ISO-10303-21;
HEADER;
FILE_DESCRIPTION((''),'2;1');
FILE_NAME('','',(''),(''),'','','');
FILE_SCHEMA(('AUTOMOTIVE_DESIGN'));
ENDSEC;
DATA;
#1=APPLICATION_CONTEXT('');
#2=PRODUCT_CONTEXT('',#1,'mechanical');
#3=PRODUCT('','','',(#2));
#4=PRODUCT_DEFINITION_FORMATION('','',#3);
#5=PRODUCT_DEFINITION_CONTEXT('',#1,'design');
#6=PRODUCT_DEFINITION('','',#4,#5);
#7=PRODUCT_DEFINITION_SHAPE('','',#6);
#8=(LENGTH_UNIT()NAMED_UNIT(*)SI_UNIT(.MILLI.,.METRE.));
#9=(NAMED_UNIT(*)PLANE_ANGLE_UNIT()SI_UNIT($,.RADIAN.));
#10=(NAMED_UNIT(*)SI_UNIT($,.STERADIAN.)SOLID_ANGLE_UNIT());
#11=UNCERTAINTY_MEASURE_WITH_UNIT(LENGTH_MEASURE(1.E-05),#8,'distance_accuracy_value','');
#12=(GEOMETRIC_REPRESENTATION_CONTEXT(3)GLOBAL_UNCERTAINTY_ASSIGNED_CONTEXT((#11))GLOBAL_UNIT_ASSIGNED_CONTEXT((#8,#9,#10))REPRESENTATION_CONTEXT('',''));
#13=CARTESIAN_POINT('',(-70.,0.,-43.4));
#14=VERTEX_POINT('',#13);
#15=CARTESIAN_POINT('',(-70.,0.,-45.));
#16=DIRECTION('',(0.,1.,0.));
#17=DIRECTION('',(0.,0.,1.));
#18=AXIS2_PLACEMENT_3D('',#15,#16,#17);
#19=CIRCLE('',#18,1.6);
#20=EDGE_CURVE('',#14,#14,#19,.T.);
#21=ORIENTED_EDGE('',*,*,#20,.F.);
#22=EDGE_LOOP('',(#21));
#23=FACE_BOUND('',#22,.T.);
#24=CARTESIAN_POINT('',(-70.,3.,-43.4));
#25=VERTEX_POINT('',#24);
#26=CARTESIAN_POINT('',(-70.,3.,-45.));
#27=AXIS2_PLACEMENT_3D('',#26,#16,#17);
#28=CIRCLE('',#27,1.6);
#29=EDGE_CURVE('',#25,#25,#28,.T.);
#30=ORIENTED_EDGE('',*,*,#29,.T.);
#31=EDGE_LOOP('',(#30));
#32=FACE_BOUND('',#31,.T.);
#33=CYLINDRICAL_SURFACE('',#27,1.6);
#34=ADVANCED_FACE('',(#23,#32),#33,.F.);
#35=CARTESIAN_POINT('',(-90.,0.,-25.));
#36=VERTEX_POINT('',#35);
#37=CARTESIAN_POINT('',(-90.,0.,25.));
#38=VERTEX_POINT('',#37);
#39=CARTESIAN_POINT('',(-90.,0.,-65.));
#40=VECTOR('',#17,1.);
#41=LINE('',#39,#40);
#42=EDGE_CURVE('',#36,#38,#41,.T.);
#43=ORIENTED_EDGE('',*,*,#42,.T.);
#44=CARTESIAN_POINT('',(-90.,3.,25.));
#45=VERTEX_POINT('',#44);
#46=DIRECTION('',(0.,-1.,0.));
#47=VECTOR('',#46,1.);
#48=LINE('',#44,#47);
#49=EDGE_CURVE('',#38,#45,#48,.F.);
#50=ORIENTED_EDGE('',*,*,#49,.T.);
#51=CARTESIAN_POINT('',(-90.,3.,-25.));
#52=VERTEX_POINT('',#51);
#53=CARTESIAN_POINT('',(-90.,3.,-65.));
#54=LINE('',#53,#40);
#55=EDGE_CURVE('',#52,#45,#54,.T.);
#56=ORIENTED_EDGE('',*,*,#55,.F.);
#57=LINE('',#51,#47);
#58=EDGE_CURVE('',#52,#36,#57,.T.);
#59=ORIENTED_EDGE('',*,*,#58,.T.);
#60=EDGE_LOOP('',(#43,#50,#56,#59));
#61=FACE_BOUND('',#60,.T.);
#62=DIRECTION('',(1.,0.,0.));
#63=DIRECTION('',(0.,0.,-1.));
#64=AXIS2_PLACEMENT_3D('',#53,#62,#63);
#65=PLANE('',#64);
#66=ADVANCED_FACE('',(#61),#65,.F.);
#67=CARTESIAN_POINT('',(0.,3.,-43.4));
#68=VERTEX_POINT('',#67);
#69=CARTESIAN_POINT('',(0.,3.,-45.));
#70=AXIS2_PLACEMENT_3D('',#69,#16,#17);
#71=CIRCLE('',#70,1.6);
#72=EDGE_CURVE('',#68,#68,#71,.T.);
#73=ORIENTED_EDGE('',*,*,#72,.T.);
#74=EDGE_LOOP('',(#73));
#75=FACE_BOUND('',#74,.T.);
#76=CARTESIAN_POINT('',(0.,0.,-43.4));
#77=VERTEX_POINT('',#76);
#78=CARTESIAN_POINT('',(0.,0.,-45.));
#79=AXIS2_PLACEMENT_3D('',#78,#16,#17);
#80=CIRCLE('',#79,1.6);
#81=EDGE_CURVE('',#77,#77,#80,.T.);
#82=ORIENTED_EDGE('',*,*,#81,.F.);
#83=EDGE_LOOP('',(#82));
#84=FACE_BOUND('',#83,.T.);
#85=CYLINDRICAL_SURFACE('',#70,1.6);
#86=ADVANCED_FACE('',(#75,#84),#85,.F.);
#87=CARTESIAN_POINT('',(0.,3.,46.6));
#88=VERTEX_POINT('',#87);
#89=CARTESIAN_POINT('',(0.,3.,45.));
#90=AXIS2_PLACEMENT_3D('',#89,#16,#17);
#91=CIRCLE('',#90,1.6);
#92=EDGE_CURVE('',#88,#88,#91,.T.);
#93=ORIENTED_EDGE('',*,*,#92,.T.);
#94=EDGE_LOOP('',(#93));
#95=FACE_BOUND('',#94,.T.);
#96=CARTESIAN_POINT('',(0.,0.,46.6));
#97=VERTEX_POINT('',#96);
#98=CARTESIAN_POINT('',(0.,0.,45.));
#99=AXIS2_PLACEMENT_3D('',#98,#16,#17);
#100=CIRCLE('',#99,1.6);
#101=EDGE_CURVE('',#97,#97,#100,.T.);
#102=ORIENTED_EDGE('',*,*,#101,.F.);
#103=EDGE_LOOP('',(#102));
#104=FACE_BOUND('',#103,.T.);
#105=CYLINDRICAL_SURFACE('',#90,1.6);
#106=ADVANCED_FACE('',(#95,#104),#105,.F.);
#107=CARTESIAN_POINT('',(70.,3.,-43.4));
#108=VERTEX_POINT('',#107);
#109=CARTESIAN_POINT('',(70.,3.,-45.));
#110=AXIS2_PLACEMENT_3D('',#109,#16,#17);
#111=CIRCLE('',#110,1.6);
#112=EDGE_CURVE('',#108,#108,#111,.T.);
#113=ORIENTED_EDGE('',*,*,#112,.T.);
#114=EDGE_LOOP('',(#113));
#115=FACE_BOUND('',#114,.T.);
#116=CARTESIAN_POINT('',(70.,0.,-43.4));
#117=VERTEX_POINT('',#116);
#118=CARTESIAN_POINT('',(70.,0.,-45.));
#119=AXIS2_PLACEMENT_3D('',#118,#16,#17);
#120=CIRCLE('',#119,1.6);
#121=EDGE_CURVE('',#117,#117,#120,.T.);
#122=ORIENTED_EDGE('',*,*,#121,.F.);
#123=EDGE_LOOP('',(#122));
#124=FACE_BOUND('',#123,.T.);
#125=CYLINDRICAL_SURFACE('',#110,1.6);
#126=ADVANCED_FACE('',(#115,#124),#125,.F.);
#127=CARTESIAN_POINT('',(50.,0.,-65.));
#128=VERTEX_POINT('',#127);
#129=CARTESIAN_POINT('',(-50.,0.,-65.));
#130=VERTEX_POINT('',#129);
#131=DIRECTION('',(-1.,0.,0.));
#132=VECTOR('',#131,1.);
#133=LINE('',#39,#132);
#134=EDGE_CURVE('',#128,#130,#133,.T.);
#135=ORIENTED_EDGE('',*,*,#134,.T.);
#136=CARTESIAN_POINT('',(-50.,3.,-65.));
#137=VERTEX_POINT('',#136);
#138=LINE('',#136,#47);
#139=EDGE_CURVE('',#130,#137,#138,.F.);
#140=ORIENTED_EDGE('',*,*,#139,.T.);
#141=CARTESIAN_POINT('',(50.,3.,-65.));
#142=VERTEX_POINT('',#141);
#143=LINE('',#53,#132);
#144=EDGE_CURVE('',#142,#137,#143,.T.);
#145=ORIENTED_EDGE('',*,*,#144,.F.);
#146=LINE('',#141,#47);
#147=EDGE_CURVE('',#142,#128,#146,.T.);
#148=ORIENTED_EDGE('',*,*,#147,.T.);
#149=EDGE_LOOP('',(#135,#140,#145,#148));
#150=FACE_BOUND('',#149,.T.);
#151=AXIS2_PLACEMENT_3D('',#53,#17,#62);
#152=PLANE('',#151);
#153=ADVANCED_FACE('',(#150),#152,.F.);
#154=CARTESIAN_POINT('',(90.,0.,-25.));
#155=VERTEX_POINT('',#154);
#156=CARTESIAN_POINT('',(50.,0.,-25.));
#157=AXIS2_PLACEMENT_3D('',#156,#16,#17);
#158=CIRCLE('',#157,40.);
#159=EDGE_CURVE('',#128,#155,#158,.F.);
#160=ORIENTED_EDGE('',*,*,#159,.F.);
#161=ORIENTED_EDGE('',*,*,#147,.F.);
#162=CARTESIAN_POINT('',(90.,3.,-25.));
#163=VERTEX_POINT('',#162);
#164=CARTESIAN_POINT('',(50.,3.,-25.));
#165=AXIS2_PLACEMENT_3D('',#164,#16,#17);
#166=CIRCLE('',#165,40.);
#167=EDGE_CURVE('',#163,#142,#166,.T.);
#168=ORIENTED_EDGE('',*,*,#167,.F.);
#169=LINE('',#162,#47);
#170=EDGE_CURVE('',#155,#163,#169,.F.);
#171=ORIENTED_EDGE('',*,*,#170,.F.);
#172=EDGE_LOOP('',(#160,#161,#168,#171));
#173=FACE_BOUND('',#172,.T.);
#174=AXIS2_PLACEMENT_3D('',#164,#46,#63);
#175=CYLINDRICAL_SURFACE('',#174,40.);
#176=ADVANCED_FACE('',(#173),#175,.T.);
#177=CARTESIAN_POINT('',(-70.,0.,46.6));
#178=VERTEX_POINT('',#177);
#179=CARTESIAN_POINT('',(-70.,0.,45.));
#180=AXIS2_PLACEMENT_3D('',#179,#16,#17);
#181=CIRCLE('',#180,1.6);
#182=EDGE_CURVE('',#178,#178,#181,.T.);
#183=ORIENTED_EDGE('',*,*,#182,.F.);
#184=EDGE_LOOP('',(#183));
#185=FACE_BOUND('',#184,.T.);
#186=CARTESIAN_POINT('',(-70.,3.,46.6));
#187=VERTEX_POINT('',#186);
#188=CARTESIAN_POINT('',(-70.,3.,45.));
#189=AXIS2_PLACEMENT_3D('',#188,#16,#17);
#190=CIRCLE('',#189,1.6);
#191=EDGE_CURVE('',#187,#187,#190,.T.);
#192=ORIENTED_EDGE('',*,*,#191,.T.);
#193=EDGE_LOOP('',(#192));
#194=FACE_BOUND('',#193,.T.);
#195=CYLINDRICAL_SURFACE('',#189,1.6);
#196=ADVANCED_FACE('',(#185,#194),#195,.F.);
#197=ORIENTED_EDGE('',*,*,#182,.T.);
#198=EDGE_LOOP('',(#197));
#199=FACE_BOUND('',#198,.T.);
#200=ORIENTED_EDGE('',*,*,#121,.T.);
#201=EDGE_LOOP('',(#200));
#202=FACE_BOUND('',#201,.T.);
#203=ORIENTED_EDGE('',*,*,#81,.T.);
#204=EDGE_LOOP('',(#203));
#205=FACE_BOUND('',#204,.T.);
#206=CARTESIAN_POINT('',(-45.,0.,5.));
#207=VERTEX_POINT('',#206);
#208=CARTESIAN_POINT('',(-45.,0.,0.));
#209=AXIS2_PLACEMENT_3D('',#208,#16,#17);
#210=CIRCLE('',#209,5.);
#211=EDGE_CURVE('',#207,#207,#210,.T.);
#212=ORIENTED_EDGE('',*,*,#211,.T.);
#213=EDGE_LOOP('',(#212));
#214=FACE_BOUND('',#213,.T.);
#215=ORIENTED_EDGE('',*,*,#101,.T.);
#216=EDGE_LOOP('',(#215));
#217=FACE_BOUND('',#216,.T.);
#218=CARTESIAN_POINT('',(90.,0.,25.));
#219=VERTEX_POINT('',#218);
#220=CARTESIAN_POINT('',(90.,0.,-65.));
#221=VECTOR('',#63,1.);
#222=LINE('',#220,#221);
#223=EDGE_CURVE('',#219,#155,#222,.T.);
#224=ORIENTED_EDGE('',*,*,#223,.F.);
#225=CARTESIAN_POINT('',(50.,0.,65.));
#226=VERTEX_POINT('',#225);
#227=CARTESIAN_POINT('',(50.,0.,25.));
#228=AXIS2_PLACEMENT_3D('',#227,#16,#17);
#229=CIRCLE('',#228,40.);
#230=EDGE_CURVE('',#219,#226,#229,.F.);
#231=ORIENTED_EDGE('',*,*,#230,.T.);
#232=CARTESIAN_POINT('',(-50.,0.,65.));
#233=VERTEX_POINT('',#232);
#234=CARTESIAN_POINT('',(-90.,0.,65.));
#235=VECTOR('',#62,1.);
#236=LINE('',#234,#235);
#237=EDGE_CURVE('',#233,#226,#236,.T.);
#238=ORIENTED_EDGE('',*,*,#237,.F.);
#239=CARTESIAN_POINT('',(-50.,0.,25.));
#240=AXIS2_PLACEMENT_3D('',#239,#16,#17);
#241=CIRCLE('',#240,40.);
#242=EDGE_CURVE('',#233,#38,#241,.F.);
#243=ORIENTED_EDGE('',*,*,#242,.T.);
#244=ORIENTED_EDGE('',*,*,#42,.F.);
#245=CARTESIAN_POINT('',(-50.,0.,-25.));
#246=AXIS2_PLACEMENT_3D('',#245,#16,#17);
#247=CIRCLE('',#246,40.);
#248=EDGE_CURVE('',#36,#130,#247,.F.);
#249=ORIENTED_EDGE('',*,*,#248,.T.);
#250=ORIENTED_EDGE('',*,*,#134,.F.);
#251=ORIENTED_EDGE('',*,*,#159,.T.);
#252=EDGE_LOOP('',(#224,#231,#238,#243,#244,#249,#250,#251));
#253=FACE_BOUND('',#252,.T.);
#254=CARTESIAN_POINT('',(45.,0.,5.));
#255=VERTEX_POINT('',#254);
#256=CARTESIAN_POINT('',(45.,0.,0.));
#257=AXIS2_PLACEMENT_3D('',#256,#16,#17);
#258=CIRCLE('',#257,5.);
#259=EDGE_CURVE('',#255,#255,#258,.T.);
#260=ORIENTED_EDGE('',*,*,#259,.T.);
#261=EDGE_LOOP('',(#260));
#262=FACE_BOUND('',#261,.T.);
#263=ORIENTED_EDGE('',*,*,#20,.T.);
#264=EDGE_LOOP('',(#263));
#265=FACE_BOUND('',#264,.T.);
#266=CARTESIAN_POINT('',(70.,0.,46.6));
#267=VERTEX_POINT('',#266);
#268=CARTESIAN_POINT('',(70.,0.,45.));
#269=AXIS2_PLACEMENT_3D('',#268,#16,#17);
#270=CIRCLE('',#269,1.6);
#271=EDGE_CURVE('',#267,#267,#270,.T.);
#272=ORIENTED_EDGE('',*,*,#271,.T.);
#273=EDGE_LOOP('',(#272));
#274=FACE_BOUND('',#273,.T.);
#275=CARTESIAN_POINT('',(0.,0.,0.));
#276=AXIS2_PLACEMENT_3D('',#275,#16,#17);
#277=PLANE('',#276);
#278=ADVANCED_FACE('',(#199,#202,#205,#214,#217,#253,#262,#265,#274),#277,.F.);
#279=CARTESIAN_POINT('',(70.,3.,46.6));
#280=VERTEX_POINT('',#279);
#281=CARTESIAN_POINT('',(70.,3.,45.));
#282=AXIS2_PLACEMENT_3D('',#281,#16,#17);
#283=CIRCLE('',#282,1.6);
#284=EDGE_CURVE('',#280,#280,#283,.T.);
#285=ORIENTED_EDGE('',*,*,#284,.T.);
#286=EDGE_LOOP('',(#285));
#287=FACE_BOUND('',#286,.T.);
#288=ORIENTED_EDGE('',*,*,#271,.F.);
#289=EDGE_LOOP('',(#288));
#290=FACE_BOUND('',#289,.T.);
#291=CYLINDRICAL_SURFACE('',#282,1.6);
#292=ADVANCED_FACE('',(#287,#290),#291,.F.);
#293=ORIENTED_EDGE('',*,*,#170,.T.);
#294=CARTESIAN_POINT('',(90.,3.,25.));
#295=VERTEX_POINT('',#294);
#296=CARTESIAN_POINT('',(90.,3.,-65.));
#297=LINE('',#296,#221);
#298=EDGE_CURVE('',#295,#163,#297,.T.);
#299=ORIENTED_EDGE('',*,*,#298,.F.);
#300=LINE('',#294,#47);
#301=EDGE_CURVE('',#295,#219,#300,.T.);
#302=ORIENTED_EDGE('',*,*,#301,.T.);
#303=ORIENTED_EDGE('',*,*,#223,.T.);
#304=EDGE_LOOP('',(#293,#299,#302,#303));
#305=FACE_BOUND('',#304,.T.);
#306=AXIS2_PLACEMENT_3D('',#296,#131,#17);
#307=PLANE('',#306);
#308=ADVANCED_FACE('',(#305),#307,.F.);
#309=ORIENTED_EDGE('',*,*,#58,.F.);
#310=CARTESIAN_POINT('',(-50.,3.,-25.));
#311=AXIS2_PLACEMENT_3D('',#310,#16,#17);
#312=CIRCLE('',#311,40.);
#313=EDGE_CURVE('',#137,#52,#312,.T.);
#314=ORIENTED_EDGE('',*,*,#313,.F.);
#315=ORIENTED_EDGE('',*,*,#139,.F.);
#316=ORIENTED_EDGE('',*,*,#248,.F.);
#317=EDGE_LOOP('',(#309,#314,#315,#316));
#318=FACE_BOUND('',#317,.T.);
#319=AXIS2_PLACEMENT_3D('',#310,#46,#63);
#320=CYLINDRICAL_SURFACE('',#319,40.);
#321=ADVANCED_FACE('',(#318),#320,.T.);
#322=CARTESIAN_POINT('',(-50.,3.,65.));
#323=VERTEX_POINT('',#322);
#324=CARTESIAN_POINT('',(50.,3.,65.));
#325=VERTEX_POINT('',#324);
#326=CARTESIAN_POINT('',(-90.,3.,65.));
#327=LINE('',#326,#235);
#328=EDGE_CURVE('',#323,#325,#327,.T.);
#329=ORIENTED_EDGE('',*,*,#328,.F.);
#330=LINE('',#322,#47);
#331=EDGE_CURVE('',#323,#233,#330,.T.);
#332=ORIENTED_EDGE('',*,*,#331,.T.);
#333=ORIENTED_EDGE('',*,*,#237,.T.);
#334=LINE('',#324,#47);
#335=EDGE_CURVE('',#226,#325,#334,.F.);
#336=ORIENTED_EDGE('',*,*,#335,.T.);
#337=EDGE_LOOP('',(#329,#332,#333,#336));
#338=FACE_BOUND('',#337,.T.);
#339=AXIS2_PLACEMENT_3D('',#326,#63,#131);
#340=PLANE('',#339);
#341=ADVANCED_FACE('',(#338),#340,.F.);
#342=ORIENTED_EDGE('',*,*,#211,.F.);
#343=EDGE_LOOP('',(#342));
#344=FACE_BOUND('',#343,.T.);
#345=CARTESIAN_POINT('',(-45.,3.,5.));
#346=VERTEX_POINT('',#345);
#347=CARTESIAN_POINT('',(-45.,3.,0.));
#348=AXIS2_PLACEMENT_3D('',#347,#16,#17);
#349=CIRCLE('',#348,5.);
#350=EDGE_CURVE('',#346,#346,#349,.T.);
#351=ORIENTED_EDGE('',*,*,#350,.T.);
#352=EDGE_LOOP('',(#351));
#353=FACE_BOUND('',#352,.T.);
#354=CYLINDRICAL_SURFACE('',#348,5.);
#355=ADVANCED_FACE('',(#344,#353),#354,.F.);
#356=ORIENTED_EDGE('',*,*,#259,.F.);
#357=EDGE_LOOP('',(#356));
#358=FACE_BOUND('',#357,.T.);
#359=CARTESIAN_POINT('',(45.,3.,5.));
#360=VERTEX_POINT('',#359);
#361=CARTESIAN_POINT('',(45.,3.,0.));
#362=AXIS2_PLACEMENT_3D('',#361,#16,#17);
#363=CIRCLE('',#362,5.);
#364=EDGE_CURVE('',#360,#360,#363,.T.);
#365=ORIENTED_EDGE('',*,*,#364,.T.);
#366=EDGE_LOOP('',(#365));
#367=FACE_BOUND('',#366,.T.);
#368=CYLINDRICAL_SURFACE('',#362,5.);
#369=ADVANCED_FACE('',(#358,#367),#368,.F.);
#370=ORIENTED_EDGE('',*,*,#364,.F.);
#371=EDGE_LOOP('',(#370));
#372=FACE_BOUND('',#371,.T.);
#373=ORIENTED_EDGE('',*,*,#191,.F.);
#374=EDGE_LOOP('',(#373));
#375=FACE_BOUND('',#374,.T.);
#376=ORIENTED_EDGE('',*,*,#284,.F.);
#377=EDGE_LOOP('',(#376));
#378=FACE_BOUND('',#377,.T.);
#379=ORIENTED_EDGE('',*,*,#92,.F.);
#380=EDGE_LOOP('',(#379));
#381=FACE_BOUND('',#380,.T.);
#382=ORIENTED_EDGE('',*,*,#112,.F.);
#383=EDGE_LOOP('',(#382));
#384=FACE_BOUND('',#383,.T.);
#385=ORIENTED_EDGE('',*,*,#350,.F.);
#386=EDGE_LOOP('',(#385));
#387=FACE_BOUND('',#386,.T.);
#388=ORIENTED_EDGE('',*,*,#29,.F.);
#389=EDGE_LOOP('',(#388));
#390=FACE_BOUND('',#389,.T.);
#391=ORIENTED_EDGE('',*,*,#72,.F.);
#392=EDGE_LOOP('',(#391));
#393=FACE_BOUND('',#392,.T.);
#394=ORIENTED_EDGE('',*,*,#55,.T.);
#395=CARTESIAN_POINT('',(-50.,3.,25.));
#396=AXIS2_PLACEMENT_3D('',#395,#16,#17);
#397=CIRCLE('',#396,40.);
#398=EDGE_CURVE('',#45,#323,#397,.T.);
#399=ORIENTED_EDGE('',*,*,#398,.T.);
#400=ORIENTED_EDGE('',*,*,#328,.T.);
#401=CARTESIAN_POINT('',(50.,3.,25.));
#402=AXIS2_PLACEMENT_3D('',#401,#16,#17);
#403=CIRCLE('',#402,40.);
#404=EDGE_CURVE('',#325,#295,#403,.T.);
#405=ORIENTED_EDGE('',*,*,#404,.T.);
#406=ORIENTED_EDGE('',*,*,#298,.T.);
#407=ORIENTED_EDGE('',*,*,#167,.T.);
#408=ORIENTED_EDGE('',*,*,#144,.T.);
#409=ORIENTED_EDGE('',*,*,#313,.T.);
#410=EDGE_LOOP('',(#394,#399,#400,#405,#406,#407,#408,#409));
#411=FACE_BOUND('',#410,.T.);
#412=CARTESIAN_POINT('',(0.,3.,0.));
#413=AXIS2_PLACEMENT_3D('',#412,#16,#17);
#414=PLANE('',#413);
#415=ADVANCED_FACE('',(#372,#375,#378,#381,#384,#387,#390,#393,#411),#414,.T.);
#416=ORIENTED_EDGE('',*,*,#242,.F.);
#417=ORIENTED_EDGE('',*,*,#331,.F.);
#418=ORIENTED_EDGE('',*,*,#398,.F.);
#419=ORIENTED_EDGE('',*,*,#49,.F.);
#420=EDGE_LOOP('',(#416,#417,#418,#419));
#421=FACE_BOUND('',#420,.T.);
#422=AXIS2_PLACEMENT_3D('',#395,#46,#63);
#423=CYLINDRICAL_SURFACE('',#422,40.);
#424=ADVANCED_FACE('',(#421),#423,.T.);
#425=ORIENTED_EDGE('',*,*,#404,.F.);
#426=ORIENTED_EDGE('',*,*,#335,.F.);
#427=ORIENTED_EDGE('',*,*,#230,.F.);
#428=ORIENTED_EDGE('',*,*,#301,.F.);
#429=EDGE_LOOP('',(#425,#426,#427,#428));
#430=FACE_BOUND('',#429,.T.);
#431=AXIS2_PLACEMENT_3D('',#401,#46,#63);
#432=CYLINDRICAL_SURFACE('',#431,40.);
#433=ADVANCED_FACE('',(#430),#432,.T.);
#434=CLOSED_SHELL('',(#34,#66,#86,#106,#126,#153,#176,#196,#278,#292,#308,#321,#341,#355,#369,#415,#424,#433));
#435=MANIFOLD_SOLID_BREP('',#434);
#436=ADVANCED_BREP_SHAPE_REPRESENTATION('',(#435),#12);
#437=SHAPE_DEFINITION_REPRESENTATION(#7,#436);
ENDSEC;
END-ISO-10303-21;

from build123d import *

# Parameters (mm, degrees)
SKETCH1_W                  = 180
SKETCH1_H                  = 130
BOSS_EXTRUDE1_DEPTH        = 3
FILLET1_R                  = 40
FILLET2_R                  = 40
F_10_0_10_DIAMETER_HOLE1_D = 10
F_3_2_3_2_DIAMETER_HOLE1_D = 3.2


with BuildPart() as part:
    # Sketch1 → Boss-Extrude1 (new body)
    with BuildSketch(Plane(origin=(0, 0, 0), x_dir=(1, 0, 0), z_dir=(0, 1, 0))):
        Rectangle(SKETCH1_W, SKETCH1_H)
    extrude(amount=BOSS_EXTRUDE1_DEPTH)

    # Fillet1
    fillet1_edges = [part.edges().sort_by_distance(p)[0] for p in [
        (-90, 1.5, 65),
        (-90, 1.5, -65),
    ]]
    fillet(fillet1_edges, radius=FILLET1_R)

    # Fillet2
    fillet2_edges = [part.edges().sort_by_distance(p)[0] for p in [
        (90, 1.5, 65),
        (90, 1.5, -65),
    ]]
    fillet(fillet2_edges, radius=FILLET2_R)

    # Ø10.0 (10) Diameter Hole1 (through all)
    with Locations(Plane(origin=(0, 3, 0), x_dir=(1, 0, 0), z_dir=(0, 1, 0))):
        with Locations((45, 0), (-45, 0)):
            Hole(F_10_0_10_DIAMETER_HOLE1_D / 2)

    # Ø3.2 (3.2) Diameter Hole1 (through all)
    with Locations(Plane(origin=(-70, 3, -45), x_dir=(0, 0, 1), z_dir=(0, 1, 0))):
        with Locations((0, 0), (0, 70), (0, 140), (90, 0), (90, 70), (90, 140)):
            Hole(F_3_2_3_2_DIAMETER_HOLE1_D / 2)


solid = part.part
